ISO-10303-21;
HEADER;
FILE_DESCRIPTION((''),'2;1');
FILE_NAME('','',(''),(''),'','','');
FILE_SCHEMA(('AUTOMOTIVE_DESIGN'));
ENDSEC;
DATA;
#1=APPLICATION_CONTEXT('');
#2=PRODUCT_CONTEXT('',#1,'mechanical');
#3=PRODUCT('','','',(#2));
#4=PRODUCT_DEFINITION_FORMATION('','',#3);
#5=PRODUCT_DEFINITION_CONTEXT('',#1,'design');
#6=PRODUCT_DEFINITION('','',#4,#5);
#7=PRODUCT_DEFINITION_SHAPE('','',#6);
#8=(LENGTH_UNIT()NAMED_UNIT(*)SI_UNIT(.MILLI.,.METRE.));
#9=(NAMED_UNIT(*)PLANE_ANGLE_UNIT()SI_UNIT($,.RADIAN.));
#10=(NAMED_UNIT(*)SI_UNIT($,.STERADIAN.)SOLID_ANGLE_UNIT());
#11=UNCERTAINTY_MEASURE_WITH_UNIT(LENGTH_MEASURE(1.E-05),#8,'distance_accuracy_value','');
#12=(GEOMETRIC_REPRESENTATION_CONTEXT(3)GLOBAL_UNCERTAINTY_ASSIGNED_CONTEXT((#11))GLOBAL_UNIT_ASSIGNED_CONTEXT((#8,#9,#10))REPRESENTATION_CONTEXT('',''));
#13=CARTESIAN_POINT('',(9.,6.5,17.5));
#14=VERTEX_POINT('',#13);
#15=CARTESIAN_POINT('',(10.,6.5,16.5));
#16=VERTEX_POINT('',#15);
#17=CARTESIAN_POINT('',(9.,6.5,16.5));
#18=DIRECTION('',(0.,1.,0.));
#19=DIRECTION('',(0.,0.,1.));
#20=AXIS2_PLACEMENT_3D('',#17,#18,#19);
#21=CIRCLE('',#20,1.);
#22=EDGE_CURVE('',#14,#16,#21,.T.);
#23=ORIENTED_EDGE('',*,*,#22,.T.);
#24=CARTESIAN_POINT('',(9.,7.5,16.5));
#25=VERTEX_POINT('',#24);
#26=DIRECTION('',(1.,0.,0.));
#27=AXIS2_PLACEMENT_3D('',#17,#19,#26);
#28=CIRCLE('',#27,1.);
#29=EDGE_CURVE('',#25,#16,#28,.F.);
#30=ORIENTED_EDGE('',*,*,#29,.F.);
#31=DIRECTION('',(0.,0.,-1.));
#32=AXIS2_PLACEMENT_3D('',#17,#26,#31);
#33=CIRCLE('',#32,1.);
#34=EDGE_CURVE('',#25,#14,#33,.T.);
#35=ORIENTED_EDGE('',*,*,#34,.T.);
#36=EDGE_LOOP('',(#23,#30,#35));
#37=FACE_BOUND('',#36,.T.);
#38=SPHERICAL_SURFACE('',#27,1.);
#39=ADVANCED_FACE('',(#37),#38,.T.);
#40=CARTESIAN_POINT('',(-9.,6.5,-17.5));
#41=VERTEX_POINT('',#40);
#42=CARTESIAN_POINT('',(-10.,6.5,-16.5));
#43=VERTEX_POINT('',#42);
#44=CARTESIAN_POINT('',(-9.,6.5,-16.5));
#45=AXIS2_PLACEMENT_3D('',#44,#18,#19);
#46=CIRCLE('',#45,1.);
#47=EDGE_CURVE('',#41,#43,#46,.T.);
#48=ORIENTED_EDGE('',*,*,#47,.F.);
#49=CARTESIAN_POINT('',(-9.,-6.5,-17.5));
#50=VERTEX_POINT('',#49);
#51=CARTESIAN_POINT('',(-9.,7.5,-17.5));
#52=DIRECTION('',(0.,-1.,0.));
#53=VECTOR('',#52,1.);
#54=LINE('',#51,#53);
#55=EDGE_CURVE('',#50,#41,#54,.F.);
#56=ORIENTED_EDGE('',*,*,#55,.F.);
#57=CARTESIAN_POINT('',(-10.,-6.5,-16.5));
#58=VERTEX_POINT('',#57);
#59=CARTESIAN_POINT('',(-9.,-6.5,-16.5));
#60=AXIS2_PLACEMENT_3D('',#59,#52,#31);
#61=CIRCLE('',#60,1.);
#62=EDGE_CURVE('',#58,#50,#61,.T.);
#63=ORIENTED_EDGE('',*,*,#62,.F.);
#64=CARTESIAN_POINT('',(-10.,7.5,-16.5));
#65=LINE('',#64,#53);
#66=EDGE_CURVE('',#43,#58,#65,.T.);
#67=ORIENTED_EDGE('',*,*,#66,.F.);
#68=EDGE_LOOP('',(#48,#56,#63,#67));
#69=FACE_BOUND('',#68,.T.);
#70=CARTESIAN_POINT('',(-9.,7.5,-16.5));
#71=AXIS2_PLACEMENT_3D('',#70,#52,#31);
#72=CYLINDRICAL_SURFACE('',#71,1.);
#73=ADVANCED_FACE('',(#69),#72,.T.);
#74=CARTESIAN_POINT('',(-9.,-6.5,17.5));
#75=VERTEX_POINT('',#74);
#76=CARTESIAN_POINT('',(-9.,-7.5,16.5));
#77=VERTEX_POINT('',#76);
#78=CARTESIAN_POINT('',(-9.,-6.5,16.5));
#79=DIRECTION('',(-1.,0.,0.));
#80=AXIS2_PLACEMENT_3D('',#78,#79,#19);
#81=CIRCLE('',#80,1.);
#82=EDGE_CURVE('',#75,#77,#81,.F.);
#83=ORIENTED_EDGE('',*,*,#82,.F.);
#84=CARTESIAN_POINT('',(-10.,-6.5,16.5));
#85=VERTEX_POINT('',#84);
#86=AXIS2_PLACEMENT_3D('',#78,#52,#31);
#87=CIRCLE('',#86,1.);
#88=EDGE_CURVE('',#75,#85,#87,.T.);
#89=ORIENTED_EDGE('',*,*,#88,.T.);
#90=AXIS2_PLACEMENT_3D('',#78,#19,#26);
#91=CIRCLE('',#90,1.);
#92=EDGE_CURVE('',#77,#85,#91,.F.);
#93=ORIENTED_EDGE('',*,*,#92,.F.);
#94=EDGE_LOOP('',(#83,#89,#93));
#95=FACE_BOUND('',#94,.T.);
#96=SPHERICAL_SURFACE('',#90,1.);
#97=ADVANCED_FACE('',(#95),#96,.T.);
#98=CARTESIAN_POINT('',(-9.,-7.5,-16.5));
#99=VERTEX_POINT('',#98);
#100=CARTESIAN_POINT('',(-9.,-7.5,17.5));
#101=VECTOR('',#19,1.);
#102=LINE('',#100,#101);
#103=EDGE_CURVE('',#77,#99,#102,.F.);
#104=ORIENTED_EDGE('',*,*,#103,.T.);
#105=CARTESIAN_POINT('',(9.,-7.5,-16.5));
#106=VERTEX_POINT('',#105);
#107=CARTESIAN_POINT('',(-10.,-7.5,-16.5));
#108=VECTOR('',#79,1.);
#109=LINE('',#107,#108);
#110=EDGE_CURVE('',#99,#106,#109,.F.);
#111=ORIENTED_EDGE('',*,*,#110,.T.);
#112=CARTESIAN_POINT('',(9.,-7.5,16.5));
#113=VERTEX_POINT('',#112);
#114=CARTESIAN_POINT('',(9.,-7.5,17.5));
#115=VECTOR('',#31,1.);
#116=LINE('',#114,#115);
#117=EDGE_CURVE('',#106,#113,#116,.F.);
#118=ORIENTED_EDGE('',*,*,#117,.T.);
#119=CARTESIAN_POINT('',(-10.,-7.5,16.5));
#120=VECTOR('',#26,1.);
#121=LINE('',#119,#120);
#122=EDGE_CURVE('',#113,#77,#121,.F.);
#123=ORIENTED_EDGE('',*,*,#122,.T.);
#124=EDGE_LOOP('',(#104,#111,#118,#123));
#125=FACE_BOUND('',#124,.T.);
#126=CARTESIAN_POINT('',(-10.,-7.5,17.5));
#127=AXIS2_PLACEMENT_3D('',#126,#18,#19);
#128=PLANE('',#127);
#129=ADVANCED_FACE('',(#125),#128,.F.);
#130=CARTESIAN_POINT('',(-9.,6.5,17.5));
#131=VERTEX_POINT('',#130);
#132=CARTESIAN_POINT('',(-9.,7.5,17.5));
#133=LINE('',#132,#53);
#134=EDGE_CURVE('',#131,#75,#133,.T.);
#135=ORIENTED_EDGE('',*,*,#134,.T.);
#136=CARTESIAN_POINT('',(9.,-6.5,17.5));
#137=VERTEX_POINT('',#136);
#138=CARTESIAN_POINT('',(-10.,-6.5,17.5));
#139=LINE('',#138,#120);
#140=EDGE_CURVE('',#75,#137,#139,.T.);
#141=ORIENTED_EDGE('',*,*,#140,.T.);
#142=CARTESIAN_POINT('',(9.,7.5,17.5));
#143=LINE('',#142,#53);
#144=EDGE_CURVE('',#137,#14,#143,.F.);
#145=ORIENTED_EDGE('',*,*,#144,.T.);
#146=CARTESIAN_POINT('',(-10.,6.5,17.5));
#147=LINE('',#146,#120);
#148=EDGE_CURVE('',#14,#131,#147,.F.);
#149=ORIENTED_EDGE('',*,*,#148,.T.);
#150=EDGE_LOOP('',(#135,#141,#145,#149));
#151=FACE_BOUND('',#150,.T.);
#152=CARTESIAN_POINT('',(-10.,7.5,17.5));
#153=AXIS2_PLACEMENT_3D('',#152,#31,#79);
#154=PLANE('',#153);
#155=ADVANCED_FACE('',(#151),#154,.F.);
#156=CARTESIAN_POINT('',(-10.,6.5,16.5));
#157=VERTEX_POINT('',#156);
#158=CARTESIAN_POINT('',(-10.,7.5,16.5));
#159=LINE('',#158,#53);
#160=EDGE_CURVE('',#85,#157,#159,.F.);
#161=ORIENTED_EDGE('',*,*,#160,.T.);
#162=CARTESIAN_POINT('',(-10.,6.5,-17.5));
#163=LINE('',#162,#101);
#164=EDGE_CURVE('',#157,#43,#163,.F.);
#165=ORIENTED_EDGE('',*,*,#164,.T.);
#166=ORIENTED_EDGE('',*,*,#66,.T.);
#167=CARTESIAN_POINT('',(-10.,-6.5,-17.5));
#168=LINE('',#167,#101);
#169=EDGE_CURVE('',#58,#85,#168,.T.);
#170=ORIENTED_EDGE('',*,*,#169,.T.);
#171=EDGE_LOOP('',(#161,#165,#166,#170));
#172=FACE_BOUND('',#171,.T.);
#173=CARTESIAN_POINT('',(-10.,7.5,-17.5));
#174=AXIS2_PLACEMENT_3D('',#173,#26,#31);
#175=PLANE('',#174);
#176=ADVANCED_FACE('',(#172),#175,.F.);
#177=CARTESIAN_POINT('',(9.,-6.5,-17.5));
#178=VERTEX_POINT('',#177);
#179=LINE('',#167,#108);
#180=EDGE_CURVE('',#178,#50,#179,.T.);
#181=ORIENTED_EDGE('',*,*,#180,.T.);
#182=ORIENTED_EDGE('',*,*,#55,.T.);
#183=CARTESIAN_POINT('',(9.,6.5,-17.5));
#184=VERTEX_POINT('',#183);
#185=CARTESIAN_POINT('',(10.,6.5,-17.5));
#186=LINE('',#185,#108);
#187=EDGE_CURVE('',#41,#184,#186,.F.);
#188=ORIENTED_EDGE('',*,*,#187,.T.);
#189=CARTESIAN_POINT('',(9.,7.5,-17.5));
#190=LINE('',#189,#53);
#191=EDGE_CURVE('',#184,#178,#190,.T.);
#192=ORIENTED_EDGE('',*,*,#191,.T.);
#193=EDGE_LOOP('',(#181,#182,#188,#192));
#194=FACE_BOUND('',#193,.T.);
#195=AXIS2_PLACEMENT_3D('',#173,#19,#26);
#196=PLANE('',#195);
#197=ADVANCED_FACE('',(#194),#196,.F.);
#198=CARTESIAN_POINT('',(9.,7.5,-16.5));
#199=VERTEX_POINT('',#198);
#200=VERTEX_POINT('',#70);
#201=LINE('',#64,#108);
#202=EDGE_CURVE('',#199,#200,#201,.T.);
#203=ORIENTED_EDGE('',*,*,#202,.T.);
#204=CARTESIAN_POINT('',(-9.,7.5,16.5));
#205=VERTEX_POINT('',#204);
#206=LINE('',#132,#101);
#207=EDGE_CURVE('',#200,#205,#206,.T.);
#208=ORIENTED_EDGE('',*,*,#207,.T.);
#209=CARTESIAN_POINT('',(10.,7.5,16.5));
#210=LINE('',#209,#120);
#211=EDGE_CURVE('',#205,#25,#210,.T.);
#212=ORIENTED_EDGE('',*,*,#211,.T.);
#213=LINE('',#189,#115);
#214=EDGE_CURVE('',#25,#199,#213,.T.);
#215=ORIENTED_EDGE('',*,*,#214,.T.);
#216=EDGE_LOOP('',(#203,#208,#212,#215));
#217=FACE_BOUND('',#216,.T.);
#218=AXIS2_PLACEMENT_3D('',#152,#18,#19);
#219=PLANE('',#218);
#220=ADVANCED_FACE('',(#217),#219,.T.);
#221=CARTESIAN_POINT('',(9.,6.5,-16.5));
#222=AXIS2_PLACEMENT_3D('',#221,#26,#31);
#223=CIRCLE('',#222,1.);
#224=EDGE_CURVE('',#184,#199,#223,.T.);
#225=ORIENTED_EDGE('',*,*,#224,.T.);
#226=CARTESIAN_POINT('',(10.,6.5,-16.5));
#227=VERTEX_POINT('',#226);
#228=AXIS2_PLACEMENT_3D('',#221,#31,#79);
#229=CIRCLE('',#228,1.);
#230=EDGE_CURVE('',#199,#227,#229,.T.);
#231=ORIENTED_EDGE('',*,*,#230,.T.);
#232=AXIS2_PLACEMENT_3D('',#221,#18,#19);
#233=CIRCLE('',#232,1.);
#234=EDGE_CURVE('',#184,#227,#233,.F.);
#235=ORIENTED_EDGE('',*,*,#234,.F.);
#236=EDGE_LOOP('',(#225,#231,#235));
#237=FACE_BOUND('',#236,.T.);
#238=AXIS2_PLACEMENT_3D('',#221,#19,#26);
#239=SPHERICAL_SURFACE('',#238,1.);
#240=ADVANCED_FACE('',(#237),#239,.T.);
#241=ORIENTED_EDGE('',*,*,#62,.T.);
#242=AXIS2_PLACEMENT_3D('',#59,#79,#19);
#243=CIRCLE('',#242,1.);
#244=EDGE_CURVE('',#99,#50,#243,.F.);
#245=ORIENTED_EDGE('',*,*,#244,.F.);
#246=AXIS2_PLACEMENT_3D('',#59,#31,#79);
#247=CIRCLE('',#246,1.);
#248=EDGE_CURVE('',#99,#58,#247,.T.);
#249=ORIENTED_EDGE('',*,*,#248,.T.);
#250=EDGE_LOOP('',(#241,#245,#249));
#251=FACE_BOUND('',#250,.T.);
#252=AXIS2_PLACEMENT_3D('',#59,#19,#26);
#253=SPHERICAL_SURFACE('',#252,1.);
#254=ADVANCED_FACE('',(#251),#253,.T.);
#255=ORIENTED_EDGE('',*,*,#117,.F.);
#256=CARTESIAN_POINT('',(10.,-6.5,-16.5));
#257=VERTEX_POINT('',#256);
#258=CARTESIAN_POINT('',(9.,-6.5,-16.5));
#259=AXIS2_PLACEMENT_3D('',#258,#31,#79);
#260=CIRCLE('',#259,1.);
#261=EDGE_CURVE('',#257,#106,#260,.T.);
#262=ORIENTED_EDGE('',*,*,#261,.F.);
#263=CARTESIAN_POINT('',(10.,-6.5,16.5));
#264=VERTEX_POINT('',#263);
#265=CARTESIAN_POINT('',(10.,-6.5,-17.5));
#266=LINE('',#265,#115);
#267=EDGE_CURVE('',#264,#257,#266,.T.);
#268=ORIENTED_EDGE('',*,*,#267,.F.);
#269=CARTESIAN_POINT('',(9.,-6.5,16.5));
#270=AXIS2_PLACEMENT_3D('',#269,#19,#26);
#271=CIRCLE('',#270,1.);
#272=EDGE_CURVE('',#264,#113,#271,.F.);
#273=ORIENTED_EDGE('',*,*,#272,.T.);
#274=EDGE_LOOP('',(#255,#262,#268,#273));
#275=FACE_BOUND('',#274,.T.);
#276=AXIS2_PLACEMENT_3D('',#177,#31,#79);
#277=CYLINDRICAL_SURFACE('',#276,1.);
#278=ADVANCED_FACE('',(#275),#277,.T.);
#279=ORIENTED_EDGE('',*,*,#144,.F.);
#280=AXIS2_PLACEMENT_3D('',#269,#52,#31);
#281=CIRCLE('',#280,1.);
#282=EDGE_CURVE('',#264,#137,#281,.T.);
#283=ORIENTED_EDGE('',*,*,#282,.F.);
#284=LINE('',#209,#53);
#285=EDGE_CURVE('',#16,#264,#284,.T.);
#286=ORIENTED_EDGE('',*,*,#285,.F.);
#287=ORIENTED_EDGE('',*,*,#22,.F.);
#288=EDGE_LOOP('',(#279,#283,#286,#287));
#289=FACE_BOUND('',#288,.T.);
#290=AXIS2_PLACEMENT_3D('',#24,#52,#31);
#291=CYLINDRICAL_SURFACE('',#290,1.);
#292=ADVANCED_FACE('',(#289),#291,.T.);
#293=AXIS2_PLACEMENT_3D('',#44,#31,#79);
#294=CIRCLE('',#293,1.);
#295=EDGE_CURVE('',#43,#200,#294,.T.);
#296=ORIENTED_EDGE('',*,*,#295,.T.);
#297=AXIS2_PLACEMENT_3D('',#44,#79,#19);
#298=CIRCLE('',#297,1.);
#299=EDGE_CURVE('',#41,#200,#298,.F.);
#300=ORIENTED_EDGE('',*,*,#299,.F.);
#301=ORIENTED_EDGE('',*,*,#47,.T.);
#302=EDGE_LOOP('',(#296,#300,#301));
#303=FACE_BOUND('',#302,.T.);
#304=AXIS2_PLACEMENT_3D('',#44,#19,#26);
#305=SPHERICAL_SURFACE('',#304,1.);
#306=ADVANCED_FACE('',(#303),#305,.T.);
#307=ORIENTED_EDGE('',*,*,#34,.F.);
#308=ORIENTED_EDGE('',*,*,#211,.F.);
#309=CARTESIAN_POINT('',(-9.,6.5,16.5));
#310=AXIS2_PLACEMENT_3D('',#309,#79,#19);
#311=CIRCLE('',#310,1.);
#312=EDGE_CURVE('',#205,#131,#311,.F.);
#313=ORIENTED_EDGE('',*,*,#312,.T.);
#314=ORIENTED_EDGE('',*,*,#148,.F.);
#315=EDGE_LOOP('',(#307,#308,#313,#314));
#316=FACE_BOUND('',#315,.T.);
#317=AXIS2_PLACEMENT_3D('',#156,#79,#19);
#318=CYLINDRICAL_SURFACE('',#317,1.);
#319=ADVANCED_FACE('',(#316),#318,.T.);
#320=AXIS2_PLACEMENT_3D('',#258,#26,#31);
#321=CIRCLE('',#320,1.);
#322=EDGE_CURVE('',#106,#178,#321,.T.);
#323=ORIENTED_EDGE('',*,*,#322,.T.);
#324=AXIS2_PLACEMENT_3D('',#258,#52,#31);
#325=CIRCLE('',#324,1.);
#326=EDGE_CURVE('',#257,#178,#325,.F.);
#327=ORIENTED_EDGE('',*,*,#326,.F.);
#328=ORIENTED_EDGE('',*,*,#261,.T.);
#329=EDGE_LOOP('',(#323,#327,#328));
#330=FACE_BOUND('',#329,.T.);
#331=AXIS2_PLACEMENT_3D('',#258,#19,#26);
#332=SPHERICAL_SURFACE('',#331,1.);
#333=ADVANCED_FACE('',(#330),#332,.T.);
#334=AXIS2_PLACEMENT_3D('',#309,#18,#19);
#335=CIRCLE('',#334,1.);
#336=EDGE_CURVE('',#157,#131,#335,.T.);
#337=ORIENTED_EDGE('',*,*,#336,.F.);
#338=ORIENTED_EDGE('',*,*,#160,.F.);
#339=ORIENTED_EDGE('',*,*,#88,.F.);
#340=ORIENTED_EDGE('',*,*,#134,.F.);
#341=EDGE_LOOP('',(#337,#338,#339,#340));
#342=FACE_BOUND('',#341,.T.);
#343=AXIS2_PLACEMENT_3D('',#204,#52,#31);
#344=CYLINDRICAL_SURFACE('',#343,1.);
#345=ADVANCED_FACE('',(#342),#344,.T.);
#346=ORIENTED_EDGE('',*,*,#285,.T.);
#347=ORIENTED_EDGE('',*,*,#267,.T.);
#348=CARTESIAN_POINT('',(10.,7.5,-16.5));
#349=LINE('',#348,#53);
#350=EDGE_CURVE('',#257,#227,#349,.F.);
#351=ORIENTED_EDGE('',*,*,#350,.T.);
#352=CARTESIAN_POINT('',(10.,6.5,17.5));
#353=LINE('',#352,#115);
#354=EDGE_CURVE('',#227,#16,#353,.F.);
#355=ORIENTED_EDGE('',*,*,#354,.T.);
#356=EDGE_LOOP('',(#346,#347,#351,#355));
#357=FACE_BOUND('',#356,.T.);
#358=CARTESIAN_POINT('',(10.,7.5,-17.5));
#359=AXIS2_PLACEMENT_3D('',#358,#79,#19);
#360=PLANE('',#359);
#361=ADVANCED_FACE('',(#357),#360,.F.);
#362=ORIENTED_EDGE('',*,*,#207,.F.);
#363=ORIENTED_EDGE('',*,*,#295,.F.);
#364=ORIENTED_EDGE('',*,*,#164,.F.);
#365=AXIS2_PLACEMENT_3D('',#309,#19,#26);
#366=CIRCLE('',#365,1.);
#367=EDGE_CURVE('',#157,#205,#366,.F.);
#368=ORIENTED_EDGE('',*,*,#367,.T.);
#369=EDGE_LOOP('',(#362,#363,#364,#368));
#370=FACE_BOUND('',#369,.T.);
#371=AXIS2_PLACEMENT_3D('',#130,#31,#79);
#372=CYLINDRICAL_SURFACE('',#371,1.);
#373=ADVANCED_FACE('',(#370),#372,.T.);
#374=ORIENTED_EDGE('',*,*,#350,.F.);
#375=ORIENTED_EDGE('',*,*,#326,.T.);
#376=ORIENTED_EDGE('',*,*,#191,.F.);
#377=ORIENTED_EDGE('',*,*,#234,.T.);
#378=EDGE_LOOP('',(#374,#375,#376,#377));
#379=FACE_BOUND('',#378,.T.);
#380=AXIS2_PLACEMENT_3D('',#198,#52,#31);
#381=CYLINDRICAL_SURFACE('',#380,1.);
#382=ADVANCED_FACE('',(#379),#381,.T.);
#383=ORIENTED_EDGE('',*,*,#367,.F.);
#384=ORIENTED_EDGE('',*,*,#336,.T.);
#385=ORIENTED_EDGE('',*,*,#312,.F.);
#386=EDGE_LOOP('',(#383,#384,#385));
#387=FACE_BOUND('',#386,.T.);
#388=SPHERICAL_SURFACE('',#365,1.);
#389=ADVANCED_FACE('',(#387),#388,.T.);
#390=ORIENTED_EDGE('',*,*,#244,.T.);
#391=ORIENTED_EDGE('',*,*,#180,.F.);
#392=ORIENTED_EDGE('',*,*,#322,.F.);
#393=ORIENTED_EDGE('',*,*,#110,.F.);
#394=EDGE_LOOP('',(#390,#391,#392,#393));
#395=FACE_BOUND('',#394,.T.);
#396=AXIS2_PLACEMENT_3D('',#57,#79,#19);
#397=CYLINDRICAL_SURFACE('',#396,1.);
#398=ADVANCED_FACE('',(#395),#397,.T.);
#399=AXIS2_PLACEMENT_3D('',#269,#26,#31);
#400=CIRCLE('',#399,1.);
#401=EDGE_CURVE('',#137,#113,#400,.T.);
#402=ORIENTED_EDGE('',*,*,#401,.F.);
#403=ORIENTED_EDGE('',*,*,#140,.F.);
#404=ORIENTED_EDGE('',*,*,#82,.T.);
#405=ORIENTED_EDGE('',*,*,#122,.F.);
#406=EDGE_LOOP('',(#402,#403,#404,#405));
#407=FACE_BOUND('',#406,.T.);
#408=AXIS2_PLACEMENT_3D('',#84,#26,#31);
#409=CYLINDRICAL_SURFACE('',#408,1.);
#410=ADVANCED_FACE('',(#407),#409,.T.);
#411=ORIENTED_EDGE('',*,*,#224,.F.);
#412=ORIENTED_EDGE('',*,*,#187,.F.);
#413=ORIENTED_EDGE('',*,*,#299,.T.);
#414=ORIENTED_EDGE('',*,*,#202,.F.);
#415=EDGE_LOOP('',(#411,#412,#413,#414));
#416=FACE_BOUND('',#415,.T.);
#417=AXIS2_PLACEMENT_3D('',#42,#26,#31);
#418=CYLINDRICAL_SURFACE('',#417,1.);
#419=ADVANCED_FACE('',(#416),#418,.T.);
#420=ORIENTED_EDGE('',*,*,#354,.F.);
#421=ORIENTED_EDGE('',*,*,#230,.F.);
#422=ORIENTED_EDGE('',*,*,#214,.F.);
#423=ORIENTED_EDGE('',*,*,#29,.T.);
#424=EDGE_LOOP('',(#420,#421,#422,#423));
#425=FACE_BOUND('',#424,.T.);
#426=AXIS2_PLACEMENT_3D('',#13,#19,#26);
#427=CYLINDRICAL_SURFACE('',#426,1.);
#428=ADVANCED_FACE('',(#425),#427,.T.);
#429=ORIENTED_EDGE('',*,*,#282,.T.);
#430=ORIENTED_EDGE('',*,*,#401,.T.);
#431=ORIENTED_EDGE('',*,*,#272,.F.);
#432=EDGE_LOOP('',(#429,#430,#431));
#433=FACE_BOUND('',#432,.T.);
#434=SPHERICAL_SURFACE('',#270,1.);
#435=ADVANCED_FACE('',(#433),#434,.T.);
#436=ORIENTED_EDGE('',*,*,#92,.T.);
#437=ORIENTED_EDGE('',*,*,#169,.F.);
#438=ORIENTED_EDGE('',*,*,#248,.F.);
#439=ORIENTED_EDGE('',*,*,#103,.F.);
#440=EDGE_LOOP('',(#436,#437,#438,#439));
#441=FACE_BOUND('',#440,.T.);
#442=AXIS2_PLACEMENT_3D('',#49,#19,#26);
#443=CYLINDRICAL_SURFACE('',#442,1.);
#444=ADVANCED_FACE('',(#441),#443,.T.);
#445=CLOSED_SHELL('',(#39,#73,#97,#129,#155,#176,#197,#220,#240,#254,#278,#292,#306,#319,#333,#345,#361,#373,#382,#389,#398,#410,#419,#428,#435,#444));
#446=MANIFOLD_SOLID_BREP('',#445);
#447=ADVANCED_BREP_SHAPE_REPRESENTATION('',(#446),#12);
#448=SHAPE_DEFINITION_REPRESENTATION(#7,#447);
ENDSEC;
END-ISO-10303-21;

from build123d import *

# Parameters (mm, degrees)
SKICA1_W                = 20
SKICA1_H                = 35
P_IDAT_VYSUNUT_M1_DEPTH = 7.5
ZAOBLIT1_R              = 1


with BuildPart() as part:
    # Skica1 → Přidat vysunutím1 (new, symmetric)
    with BuildSketch(Plane(origin=(0, 0, 0), x_dir=(1, 0, 0), z_dir=(0, 1, 0))):
        Rectangle(SKICA1_W, SKICA1_H)
    extrude(amount=P_IDAT_VYSUNUT_M1_DEPTH, both=True)

    # Zaoblit1
    zaoblit1_edges = [part.edges().sort_by_distance(p)[0] for p in [
        (10, 7.5, 0),
        (0, 7.5, -17.5),
        (-10, 7.5, 0),
        (0, -7.5, -17.5),
        (10, -7.5, 0),
        (0, -7.5, 17.5),
        (-10, -7.5, 0),
        (0, 7.5, 17.5),
        (-10, 0, -17.5),
        (10, 0, -17.5),
        (10, 0, 17.5),
        (-10, 0, 17.5),
    ]]
    fillet(zaoblit1_edges, radius=ZAOBLIT1_R)


solid = part.part
